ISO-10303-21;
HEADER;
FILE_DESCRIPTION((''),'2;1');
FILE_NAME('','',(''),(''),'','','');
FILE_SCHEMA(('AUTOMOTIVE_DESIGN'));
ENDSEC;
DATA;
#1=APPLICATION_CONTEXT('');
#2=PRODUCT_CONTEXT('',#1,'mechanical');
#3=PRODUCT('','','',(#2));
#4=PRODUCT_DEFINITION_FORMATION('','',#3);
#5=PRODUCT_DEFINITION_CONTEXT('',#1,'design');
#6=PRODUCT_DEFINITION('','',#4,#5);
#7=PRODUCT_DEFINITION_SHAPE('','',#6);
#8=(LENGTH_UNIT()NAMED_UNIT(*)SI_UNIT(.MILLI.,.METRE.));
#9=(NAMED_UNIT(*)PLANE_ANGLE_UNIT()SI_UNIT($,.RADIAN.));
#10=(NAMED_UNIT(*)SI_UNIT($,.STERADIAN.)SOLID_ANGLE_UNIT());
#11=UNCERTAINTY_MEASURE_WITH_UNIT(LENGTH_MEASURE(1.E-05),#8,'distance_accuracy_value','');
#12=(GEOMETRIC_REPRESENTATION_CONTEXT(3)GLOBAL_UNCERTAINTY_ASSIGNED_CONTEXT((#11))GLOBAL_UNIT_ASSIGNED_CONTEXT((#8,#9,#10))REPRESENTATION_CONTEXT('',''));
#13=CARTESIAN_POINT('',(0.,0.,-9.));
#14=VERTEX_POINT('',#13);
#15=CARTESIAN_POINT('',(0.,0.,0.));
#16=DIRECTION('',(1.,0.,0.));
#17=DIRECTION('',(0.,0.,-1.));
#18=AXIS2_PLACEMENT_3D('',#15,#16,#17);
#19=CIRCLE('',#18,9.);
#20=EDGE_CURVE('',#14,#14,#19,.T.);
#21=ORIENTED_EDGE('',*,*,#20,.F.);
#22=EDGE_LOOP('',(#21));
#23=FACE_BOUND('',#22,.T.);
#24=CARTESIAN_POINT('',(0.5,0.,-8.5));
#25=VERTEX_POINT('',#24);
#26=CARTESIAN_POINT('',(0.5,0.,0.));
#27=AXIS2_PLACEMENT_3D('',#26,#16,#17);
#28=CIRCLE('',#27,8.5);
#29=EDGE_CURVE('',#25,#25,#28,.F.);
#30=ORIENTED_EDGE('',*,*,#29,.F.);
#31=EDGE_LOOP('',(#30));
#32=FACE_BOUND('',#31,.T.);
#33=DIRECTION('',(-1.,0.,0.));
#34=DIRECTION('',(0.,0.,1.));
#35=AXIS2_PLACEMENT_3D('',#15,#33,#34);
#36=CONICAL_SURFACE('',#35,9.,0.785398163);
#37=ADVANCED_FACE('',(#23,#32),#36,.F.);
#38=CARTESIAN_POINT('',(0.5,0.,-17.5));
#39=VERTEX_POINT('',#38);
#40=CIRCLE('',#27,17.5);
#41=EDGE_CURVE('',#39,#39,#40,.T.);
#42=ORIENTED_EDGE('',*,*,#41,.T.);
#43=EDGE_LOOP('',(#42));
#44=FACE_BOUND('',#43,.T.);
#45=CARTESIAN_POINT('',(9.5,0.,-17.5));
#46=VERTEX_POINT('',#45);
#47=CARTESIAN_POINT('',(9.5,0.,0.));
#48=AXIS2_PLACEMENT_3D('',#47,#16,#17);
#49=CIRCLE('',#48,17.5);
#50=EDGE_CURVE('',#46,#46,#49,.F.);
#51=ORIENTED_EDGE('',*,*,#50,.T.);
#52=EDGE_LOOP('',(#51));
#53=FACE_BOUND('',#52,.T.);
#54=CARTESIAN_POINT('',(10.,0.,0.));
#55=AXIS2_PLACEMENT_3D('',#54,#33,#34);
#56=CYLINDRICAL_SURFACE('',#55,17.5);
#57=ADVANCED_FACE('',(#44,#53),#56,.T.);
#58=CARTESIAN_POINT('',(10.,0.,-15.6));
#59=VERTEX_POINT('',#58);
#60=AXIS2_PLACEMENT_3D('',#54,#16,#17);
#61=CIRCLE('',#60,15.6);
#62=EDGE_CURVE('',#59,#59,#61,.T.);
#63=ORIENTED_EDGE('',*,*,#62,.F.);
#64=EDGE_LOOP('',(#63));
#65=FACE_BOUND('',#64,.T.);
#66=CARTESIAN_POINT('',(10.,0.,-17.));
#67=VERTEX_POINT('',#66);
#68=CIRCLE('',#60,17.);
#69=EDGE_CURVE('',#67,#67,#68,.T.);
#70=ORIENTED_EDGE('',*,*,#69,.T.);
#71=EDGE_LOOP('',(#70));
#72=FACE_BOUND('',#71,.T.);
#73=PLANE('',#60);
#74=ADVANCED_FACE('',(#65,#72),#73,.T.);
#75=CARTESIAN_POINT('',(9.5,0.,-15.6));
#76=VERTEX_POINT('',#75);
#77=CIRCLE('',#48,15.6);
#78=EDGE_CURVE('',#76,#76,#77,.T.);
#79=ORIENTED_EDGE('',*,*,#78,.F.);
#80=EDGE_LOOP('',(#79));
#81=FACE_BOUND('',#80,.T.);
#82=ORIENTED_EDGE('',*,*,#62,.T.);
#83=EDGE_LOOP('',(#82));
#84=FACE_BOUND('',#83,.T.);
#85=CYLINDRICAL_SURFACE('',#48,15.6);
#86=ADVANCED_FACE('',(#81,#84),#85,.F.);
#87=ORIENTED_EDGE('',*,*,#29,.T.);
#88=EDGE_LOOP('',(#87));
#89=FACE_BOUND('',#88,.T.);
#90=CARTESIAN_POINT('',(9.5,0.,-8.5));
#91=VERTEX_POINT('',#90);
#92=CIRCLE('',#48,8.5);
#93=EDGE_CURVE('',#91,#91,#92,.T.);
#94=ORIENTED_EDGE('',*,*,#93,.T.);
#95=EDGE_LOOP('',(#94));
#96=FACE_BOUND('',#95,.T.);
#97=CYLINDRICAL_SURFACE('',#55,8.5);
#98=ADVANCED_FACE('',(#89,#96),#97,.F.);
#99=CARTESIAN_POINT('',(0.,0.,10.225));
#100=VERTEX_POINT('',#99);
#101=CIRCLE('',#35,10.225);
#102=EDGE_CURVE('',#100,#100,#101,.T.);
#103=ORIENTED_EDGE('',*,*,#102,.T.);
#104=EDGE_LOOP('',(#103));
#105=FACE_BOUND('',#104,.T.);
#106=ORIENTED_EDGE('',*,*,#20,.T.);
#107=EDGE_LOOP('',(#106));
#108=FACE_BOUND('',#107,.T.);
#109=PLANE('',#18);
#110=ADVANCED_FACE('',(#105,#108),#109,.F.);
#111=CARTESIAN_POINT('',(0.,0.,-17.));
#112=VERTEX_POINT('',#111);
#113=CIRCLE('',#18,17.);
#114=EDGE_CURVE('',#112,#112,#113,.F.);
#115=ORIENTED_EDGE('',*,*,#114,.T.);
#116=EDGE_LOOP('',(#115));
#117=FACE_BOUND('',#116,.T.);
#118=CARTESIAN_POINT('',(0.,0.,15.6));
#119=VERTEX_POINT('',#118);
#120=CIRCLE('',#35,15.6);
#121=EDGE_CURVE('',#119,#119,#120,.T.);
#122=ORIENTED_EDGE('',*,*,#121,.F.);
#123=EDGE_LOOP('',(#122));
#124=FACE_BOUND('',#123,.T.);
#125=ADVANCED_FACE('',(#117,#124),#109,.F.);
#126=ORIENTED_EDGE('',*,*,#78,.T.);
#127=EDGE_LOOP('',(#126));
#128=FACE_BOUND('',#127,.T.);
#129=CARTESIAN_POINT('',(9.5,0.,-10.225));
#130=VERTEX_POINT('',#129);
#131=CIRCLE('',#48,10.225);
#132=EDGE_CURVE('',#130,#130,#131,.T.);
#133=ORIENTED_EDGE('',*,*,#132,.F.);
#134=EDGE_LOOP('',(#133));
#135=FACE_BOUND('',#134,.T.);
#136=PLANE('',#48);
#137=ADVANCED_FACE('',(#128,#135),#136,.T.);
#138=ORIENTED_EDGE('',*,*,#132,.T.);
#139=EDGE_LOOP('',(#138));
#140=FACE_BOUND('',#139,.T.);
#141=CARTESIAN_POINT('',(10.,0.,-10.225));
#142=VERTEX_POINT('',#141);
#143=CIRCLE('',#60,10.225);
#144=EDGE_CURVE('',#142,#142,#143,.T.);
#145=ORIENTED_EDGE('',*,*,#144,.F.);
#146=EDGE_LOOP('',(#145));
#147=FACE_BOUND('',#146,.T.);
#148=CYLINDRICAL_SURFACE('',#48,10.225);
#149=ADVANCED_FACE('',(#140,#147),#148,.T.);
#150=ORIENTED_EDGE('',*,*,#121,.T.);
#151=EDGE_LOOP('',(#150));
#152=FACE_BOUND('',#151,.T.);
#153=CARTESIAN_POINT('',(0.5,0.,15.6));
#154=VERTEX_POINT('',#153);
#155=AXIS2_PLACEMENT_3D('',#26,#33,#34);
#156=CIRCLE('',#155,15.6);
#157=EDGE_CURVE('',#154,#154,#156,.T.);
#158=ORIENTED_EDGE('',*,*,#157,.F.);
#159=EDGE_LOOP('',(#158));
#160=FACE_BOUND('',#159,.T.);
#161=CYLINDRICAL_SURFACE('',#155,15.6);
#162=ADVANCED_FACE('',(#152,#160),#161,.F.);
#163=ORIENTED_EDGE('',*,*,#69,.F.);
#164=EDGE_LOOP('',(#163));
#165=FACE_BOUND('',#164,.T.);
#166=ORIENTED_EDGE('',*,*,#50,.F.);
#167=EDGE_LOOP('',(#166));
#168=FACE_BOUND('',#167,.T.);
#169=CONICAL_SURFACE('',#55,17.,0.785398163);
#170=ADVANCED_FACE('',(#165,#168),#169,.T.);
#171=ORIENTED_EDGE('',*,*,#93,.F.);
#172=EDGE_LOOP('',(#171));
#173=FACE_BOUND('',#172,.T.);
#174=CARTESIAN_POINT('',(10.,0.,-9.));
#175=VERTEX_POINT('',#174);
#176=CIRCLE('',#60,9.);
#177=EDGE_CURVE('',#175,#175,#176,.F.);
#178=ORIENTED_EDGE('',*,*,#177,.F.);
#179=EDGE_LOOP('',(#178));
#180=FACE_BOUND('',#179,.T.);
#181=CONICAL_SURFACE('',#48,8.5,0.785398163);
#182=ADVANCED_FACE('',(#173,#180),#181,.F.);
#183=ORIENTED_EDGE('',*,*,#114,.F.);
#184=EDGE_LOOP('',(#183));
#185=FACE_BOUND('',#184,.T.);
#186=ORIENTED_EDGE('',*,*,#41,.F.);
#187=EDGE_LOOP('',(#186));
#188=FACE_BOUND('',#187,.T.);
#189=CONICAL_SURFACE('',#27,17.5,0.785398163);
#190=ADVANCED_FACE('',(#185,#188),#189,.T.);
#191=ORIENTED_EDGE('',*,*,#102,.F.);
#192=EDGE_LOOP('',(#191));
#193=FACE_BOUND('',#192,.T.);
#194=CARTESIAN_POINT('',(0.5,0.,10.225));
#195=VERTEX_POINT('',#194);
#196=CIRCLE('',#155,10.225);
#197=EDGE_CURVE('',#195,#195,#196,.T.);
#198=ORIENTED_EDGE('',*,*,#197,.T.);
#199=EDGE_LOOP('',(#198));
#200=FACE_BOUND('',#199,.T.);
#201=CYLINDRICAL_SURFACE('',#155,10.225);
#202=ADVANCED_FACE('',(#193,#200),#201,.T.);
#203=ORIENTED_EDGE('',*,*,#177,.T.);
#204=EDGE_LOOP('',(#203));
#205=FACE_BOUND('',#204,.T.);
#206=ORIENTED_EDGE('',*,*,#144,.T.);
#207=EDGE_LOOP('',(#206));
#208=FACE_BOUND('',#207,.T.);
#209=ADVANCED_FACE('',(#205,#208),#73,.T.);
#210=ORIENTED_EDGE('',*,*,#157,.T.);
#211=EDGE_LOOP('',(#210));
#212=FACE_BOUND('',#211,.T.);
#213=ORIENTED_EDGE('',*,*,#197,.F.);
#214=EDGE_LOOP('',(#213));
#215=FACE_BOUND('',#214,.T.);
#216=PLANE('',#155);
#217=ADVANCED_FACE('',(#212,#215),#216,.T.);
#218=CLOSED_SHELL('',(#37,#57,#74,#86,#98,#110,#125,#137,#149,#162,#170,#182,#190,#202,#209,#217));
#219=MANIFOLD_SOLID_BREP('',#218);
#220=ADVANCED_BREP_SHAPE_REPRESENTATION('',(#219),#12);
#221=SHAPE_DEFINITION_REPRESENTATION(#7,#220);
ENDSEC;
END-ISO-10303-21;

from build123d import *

# Parameters (mm, degrees)
SKETCH1_R           = 17.5
SKETCH1_R_2         = 8.5
BOSS_EXTRUDE1_DEPTH = 10
CHAMFER1_SIZE       = 0.5
SKETCH2_R           = 15.6
SKETCH2_R_2         = 10.225
CUT_EXTRUDE1_DEPTH  = 0.5
SKETCH3_R           = 15.6
SKETCH3_R_2         = 10.225
CUT_EXTRUDE2_DEPTH  = 0.5


with BuildPart() as part:
    # Sketch1 → Boss-Extrude1 (new body)
    with BuildSketch(Plane(origin=(0, 0, 0), x_dir=(0, 0, -1), z_dir=(1, 0, 0))):
        Circle(SKETCH1_R)
        Circle(SKETCH1_R_2, mode=Mode.SUBTRACT)
    extrude(amount=BOSS_EXTRUDE1_DEPTH)

    # Chamfer1
    chamfer1_edges = [part.edges().sort_by_distance(p)[0] for p in [
        (0, 0, 17.5),
        (10, 0, 17.5),
        (0, 0, 8.5),
        (10, 0, 8.5),
    ]]
    chamfer(chamfer1_edges, length=CHAMFER1_SIZE)

    # Sketch2 → Cut-Extrude1 (cut)
    with BuildSketch(Plane(origin=(10, 0, 0), x_dir=(0, 0, -1), z_dir=(1, 0, 0))):
        Circle(SKETCH2_R)
        Circle(SKETCH2_R_2, mode=Mode.SUBTRACT)
    extrude(amount=-CUT_EXTRUDE1_DEPTH, mode=Mode.SUBTRACT)

    # Sketch3 → Cut-Extrude2 (cut)
    with BuildSketch(Plane.ZY):
        Circle(SKETCH3_R)
        Circle(SKETCH3_R_2, mode=Mode.SUBTRACT)
    extrude(amount=-CUT_EXTRUDE2_DEPTH, mode=Mode.SUBTRACT)


solid = part.part
